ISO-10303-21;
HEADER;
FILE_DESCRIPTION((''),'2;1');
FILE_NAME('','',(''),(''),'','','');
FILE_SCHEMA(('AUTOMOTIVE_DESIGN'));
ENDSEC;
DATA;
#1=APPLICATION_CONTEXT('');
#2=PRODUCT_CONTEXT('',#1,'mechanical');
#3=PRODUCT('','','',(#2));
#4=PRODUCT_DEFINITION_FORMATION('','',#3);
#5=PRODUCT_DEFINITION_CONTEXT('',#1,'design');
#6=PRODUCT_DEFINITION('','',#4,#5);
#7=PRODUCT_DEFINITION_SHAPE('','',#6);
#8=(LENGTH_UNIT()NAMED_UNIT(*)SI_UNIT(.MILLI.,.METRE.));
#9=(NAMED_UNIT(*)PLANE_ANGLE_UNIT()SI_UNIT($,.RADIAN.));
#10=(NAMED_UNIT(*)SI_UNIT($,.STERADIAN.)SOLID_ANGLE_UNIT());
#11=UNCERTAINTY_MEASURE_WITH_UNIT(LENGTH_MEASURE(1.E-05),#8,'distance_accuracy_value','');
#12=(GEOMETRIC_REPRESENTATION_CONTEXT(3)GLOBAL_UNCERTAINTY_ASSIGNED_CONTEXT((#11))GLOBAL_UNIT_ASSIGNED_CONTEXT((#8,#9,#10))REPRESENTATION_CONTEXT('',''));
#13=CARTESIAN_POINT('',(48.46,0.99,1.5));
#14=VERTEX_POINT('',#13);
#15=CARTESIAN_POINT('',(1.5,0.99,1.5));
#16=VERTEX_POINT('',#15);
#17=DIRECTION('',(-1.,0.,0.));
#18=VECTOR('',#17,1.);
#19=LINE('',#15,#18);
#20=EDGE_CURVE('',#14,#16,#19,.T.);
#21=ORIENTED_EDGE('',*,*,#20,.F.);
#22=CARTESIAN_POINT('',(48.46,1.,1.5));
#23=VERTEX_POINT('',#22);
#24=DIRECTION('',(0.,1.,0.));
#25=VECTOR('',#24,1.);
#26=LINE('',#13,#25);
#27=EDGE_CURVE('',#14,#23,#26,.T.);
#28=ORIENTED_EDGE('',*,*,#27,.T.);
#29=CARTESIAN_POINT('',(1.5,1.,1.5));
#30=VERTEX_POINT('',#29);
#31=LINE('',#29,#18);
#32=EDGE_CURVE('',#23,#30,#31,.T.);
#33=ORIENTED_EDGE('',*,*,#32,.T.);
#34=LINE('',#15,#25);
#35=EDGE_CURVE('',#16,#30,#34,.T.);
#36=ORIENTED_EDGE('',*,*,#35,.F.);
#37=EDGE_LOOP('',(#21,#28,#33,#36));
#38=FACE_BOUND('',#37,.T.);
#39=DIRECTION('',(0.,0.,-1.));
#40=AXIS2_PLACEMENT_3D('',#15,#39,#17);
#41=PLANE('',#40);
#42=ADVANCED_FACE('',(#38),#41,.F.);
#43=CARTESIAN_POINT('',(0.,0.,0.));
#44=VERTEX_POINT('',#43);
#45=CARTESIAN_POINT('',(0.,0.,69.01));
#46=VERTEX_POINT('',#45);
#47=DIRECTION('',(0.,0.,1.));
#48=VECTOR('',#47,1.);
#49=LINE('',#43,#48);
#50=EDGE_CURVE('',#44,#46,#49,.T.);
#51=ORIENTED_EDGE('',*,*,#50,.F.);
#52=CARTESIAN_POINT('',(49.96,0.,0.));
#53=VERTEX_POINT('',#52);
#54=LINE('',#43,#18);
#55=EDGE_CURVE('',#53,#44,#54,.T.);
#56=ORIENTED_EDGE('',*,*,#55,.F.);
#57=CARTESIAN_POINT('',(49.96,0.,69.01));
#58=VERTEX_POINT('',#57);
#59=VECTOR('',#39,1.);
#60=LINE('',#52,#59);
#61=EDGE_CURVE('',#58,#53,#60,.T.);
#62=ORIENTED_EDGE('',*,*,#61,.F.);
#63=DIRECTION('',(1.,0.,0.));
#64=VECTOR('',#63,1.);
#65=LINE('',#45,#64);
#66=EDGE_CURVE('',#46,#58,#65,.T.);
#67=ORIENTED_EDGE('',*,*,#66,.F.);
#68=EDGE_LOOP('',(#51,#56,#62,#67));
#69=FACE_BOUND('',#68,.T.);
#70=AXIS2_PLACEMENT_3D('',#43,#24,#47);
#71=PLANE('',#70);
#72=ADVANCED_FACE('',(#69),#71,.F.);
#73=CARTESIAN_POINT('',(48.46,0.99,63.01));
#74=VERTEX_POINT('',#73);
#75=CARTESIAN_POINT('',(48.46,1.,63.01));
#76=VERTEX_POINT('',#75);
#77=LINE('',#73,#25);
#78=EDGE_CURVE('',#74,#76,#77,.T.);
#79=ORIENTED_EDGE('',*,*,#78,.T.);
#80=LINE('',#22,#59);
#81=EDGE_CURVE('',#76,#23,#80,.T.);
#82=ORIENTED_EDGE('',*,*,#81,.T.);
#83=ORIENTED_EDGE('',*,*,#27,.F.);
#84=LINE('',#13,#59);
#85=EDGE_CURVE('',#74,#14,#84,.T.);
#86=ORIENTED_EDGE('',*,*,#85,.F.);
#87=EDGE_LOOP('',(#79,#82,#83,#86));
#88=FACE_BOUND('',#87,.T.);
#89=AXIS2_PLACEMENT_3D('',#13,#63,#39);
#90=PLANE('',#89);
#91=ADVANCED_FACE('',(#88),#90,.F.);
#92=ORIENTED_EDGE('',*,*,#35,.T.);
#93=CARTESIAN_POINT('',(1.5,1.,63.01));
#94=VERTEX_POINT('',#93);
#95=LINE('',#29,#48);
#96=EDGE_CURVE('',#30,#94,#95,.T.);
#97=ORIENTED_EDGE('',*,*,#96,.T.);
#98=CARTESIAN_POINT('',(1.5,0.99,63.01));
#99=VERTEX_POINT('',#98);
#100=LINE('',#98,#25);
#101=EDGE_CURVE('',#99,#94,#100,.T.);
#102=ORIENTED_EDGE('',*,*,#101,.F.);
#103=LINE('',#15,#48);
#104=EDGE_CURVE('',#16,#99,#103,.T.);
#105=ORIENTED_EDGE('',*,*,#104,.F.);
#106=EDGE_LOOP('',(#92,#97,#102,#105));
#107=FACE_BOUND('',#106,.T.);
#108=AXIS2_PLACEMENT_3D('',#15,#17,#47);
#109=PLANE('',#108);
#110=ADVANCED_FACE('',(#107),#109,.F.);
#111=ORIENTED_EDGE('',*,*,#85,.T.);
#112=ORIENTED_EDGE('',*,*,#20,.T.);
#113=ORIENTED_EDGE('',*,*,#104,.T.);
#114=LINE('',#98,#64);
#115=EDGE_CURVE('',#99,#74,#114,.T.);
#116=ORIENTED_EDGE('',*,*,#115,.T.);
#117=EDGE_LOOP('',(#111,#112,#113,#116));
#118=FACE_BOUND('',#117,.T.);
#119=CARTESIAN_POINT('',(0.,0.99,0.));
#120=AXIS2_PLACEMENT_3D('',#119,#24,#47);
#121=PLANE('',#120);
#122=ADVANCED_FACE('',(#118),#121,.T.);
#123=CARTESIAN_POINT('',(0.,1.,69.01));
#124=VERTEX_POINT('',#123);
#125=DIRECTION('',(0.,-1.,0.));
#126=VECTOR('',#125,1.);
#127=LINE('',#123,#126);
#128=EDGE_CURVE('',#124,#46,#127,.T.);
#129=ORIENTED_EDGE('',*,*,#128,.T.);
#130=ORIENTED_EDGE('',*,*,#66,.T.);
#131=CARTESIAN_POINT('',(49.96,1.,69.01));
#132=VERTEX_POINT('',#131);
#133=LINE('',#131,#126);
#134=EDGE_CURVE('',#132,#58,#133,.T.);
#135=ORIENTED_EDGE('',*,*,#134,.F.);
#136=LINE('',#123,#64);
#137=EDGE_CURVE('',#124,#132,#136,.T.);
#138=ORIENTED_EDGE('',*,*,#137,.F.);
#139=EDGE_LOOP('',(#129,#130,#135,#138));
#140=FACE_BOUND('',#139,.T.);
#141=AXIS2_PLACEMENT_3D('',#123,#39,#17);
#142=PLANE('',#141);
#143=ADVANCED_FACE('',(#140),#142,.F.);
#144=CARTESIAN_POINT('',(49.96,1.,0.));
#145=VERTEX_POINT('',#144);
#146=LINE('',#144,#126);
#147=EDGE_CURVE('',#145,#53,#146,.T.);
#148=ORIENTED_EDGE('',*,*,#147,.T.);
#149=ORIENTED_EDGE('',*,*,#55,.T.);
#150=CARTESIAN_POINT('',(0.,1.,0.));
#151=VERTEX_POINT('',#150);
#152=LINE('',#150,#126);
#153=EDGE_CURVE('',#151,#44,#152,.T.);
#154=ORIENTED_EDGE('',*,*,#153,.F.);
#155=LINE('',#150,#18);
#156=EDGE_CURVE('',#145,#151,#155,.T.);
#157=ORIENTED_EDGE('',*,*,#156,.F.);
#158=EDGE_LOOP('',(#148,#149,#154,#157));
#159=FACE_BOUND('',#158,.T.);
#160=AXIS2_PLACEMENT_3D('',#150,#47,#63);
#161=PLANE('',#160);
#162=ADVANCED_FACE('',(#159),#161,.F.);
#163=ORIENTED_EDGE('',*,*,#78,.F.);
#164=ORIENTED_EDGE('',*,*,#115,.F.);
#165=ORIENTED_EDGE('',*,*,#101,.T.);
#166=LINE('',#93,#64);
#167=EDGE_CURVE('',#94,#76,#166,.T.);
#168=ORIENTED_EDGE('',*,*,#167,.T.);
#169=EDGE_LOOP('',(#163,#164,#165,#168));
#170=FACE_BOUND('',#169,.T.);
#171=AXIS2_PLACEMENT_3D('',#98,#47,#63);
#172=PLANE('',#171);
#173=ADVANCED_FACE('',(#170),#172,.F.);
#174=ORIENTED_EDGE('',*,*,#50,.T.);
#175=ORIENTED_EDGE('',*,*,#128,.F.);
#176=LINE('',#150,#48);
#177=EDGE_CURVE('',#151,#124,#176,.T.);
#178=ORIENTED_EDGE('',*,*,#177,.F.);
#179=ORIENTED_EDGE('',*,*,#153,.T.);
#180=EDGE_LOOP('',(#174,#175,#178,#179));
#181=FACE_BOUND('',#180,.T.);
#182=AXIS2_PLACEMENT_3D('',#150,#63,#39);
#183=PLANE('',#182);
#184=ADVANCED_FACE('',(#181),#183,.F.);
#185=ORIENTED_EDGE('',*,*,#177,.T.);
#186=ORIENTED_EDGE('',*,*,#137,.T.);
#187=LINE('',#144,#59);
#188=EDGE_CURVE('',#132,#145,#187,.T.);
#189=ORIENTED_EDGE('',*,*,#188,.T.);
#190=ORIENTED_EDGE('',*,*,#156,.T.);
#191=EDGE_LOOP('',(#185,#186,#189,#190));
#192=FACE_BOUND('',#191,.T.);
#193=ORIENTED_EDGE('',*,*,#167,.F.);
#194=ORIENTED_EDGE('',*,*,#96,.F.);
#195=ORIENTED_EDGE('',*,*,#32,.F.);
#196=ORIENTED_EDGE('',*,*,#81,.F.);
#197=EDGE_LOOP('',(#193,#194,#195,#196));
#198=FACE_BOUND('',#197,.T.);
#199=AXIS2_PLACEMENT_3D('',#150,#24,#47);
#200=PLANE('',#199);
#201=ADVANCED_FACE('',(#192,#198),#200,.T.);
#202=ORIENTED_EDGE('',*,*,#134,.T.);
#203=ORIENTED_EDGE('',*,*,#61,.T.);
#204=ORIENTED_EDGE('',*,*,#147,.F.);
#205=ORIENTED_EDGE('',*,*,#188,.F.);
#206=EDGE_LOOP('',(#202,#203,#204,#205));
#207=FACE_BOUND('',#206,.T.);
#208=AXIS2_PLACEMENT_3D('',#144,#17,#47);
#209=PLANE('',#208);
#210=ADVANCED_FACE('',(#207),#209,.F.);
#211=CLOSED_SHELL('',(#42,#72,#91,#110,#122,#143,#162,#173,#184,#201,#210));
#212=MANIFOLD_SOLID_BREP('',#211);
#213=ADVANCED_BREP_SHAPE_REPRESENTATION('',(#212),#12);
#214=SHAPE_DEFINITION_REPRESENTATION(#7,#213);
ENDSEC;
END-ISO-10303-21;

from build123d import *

# Parameters (mm, degrees)
SKETCH1_W           = 49.96
SKETCH1_H           = 69.01
BOSS_EXTRUDE1_DEPTH = 1
SKETCH2_W           = 46.96
SKETCH2_H           = 61.51
CUT_EXTRUDE1_DEPTH  = 0.01


with BuildPart() as part:
    # Sketch1 → Boss-Extrude1 (new body)
    with BuildSketch(Plane(origin=(0, 0, 0), x_dir=(1, 0, 0), z_dir=(0, 1, 0))):
        with Locations((24.98, -34.505)):
            Rectangle(SKETCH1_W, SKETCH1_H)
    extrude(amount=BOSS_EXTRUDE1_DEPTH)

    # Sketch2 → Cut-Extrude1 (cut)
    with BuildSketch(Plane(origin=(0, 1, 0), x_dir=(1, 0, 0), z_dir=(0, 1, 0))):
        with Locations((24.98, -32.255)):
            Rectangle(SKETCH2_W, SKETCH2_H)
    extrude(amount=-CUT_EXTRUDE1_DEPTH, mode=Mode.SUBTRACT)


solid = part.part
